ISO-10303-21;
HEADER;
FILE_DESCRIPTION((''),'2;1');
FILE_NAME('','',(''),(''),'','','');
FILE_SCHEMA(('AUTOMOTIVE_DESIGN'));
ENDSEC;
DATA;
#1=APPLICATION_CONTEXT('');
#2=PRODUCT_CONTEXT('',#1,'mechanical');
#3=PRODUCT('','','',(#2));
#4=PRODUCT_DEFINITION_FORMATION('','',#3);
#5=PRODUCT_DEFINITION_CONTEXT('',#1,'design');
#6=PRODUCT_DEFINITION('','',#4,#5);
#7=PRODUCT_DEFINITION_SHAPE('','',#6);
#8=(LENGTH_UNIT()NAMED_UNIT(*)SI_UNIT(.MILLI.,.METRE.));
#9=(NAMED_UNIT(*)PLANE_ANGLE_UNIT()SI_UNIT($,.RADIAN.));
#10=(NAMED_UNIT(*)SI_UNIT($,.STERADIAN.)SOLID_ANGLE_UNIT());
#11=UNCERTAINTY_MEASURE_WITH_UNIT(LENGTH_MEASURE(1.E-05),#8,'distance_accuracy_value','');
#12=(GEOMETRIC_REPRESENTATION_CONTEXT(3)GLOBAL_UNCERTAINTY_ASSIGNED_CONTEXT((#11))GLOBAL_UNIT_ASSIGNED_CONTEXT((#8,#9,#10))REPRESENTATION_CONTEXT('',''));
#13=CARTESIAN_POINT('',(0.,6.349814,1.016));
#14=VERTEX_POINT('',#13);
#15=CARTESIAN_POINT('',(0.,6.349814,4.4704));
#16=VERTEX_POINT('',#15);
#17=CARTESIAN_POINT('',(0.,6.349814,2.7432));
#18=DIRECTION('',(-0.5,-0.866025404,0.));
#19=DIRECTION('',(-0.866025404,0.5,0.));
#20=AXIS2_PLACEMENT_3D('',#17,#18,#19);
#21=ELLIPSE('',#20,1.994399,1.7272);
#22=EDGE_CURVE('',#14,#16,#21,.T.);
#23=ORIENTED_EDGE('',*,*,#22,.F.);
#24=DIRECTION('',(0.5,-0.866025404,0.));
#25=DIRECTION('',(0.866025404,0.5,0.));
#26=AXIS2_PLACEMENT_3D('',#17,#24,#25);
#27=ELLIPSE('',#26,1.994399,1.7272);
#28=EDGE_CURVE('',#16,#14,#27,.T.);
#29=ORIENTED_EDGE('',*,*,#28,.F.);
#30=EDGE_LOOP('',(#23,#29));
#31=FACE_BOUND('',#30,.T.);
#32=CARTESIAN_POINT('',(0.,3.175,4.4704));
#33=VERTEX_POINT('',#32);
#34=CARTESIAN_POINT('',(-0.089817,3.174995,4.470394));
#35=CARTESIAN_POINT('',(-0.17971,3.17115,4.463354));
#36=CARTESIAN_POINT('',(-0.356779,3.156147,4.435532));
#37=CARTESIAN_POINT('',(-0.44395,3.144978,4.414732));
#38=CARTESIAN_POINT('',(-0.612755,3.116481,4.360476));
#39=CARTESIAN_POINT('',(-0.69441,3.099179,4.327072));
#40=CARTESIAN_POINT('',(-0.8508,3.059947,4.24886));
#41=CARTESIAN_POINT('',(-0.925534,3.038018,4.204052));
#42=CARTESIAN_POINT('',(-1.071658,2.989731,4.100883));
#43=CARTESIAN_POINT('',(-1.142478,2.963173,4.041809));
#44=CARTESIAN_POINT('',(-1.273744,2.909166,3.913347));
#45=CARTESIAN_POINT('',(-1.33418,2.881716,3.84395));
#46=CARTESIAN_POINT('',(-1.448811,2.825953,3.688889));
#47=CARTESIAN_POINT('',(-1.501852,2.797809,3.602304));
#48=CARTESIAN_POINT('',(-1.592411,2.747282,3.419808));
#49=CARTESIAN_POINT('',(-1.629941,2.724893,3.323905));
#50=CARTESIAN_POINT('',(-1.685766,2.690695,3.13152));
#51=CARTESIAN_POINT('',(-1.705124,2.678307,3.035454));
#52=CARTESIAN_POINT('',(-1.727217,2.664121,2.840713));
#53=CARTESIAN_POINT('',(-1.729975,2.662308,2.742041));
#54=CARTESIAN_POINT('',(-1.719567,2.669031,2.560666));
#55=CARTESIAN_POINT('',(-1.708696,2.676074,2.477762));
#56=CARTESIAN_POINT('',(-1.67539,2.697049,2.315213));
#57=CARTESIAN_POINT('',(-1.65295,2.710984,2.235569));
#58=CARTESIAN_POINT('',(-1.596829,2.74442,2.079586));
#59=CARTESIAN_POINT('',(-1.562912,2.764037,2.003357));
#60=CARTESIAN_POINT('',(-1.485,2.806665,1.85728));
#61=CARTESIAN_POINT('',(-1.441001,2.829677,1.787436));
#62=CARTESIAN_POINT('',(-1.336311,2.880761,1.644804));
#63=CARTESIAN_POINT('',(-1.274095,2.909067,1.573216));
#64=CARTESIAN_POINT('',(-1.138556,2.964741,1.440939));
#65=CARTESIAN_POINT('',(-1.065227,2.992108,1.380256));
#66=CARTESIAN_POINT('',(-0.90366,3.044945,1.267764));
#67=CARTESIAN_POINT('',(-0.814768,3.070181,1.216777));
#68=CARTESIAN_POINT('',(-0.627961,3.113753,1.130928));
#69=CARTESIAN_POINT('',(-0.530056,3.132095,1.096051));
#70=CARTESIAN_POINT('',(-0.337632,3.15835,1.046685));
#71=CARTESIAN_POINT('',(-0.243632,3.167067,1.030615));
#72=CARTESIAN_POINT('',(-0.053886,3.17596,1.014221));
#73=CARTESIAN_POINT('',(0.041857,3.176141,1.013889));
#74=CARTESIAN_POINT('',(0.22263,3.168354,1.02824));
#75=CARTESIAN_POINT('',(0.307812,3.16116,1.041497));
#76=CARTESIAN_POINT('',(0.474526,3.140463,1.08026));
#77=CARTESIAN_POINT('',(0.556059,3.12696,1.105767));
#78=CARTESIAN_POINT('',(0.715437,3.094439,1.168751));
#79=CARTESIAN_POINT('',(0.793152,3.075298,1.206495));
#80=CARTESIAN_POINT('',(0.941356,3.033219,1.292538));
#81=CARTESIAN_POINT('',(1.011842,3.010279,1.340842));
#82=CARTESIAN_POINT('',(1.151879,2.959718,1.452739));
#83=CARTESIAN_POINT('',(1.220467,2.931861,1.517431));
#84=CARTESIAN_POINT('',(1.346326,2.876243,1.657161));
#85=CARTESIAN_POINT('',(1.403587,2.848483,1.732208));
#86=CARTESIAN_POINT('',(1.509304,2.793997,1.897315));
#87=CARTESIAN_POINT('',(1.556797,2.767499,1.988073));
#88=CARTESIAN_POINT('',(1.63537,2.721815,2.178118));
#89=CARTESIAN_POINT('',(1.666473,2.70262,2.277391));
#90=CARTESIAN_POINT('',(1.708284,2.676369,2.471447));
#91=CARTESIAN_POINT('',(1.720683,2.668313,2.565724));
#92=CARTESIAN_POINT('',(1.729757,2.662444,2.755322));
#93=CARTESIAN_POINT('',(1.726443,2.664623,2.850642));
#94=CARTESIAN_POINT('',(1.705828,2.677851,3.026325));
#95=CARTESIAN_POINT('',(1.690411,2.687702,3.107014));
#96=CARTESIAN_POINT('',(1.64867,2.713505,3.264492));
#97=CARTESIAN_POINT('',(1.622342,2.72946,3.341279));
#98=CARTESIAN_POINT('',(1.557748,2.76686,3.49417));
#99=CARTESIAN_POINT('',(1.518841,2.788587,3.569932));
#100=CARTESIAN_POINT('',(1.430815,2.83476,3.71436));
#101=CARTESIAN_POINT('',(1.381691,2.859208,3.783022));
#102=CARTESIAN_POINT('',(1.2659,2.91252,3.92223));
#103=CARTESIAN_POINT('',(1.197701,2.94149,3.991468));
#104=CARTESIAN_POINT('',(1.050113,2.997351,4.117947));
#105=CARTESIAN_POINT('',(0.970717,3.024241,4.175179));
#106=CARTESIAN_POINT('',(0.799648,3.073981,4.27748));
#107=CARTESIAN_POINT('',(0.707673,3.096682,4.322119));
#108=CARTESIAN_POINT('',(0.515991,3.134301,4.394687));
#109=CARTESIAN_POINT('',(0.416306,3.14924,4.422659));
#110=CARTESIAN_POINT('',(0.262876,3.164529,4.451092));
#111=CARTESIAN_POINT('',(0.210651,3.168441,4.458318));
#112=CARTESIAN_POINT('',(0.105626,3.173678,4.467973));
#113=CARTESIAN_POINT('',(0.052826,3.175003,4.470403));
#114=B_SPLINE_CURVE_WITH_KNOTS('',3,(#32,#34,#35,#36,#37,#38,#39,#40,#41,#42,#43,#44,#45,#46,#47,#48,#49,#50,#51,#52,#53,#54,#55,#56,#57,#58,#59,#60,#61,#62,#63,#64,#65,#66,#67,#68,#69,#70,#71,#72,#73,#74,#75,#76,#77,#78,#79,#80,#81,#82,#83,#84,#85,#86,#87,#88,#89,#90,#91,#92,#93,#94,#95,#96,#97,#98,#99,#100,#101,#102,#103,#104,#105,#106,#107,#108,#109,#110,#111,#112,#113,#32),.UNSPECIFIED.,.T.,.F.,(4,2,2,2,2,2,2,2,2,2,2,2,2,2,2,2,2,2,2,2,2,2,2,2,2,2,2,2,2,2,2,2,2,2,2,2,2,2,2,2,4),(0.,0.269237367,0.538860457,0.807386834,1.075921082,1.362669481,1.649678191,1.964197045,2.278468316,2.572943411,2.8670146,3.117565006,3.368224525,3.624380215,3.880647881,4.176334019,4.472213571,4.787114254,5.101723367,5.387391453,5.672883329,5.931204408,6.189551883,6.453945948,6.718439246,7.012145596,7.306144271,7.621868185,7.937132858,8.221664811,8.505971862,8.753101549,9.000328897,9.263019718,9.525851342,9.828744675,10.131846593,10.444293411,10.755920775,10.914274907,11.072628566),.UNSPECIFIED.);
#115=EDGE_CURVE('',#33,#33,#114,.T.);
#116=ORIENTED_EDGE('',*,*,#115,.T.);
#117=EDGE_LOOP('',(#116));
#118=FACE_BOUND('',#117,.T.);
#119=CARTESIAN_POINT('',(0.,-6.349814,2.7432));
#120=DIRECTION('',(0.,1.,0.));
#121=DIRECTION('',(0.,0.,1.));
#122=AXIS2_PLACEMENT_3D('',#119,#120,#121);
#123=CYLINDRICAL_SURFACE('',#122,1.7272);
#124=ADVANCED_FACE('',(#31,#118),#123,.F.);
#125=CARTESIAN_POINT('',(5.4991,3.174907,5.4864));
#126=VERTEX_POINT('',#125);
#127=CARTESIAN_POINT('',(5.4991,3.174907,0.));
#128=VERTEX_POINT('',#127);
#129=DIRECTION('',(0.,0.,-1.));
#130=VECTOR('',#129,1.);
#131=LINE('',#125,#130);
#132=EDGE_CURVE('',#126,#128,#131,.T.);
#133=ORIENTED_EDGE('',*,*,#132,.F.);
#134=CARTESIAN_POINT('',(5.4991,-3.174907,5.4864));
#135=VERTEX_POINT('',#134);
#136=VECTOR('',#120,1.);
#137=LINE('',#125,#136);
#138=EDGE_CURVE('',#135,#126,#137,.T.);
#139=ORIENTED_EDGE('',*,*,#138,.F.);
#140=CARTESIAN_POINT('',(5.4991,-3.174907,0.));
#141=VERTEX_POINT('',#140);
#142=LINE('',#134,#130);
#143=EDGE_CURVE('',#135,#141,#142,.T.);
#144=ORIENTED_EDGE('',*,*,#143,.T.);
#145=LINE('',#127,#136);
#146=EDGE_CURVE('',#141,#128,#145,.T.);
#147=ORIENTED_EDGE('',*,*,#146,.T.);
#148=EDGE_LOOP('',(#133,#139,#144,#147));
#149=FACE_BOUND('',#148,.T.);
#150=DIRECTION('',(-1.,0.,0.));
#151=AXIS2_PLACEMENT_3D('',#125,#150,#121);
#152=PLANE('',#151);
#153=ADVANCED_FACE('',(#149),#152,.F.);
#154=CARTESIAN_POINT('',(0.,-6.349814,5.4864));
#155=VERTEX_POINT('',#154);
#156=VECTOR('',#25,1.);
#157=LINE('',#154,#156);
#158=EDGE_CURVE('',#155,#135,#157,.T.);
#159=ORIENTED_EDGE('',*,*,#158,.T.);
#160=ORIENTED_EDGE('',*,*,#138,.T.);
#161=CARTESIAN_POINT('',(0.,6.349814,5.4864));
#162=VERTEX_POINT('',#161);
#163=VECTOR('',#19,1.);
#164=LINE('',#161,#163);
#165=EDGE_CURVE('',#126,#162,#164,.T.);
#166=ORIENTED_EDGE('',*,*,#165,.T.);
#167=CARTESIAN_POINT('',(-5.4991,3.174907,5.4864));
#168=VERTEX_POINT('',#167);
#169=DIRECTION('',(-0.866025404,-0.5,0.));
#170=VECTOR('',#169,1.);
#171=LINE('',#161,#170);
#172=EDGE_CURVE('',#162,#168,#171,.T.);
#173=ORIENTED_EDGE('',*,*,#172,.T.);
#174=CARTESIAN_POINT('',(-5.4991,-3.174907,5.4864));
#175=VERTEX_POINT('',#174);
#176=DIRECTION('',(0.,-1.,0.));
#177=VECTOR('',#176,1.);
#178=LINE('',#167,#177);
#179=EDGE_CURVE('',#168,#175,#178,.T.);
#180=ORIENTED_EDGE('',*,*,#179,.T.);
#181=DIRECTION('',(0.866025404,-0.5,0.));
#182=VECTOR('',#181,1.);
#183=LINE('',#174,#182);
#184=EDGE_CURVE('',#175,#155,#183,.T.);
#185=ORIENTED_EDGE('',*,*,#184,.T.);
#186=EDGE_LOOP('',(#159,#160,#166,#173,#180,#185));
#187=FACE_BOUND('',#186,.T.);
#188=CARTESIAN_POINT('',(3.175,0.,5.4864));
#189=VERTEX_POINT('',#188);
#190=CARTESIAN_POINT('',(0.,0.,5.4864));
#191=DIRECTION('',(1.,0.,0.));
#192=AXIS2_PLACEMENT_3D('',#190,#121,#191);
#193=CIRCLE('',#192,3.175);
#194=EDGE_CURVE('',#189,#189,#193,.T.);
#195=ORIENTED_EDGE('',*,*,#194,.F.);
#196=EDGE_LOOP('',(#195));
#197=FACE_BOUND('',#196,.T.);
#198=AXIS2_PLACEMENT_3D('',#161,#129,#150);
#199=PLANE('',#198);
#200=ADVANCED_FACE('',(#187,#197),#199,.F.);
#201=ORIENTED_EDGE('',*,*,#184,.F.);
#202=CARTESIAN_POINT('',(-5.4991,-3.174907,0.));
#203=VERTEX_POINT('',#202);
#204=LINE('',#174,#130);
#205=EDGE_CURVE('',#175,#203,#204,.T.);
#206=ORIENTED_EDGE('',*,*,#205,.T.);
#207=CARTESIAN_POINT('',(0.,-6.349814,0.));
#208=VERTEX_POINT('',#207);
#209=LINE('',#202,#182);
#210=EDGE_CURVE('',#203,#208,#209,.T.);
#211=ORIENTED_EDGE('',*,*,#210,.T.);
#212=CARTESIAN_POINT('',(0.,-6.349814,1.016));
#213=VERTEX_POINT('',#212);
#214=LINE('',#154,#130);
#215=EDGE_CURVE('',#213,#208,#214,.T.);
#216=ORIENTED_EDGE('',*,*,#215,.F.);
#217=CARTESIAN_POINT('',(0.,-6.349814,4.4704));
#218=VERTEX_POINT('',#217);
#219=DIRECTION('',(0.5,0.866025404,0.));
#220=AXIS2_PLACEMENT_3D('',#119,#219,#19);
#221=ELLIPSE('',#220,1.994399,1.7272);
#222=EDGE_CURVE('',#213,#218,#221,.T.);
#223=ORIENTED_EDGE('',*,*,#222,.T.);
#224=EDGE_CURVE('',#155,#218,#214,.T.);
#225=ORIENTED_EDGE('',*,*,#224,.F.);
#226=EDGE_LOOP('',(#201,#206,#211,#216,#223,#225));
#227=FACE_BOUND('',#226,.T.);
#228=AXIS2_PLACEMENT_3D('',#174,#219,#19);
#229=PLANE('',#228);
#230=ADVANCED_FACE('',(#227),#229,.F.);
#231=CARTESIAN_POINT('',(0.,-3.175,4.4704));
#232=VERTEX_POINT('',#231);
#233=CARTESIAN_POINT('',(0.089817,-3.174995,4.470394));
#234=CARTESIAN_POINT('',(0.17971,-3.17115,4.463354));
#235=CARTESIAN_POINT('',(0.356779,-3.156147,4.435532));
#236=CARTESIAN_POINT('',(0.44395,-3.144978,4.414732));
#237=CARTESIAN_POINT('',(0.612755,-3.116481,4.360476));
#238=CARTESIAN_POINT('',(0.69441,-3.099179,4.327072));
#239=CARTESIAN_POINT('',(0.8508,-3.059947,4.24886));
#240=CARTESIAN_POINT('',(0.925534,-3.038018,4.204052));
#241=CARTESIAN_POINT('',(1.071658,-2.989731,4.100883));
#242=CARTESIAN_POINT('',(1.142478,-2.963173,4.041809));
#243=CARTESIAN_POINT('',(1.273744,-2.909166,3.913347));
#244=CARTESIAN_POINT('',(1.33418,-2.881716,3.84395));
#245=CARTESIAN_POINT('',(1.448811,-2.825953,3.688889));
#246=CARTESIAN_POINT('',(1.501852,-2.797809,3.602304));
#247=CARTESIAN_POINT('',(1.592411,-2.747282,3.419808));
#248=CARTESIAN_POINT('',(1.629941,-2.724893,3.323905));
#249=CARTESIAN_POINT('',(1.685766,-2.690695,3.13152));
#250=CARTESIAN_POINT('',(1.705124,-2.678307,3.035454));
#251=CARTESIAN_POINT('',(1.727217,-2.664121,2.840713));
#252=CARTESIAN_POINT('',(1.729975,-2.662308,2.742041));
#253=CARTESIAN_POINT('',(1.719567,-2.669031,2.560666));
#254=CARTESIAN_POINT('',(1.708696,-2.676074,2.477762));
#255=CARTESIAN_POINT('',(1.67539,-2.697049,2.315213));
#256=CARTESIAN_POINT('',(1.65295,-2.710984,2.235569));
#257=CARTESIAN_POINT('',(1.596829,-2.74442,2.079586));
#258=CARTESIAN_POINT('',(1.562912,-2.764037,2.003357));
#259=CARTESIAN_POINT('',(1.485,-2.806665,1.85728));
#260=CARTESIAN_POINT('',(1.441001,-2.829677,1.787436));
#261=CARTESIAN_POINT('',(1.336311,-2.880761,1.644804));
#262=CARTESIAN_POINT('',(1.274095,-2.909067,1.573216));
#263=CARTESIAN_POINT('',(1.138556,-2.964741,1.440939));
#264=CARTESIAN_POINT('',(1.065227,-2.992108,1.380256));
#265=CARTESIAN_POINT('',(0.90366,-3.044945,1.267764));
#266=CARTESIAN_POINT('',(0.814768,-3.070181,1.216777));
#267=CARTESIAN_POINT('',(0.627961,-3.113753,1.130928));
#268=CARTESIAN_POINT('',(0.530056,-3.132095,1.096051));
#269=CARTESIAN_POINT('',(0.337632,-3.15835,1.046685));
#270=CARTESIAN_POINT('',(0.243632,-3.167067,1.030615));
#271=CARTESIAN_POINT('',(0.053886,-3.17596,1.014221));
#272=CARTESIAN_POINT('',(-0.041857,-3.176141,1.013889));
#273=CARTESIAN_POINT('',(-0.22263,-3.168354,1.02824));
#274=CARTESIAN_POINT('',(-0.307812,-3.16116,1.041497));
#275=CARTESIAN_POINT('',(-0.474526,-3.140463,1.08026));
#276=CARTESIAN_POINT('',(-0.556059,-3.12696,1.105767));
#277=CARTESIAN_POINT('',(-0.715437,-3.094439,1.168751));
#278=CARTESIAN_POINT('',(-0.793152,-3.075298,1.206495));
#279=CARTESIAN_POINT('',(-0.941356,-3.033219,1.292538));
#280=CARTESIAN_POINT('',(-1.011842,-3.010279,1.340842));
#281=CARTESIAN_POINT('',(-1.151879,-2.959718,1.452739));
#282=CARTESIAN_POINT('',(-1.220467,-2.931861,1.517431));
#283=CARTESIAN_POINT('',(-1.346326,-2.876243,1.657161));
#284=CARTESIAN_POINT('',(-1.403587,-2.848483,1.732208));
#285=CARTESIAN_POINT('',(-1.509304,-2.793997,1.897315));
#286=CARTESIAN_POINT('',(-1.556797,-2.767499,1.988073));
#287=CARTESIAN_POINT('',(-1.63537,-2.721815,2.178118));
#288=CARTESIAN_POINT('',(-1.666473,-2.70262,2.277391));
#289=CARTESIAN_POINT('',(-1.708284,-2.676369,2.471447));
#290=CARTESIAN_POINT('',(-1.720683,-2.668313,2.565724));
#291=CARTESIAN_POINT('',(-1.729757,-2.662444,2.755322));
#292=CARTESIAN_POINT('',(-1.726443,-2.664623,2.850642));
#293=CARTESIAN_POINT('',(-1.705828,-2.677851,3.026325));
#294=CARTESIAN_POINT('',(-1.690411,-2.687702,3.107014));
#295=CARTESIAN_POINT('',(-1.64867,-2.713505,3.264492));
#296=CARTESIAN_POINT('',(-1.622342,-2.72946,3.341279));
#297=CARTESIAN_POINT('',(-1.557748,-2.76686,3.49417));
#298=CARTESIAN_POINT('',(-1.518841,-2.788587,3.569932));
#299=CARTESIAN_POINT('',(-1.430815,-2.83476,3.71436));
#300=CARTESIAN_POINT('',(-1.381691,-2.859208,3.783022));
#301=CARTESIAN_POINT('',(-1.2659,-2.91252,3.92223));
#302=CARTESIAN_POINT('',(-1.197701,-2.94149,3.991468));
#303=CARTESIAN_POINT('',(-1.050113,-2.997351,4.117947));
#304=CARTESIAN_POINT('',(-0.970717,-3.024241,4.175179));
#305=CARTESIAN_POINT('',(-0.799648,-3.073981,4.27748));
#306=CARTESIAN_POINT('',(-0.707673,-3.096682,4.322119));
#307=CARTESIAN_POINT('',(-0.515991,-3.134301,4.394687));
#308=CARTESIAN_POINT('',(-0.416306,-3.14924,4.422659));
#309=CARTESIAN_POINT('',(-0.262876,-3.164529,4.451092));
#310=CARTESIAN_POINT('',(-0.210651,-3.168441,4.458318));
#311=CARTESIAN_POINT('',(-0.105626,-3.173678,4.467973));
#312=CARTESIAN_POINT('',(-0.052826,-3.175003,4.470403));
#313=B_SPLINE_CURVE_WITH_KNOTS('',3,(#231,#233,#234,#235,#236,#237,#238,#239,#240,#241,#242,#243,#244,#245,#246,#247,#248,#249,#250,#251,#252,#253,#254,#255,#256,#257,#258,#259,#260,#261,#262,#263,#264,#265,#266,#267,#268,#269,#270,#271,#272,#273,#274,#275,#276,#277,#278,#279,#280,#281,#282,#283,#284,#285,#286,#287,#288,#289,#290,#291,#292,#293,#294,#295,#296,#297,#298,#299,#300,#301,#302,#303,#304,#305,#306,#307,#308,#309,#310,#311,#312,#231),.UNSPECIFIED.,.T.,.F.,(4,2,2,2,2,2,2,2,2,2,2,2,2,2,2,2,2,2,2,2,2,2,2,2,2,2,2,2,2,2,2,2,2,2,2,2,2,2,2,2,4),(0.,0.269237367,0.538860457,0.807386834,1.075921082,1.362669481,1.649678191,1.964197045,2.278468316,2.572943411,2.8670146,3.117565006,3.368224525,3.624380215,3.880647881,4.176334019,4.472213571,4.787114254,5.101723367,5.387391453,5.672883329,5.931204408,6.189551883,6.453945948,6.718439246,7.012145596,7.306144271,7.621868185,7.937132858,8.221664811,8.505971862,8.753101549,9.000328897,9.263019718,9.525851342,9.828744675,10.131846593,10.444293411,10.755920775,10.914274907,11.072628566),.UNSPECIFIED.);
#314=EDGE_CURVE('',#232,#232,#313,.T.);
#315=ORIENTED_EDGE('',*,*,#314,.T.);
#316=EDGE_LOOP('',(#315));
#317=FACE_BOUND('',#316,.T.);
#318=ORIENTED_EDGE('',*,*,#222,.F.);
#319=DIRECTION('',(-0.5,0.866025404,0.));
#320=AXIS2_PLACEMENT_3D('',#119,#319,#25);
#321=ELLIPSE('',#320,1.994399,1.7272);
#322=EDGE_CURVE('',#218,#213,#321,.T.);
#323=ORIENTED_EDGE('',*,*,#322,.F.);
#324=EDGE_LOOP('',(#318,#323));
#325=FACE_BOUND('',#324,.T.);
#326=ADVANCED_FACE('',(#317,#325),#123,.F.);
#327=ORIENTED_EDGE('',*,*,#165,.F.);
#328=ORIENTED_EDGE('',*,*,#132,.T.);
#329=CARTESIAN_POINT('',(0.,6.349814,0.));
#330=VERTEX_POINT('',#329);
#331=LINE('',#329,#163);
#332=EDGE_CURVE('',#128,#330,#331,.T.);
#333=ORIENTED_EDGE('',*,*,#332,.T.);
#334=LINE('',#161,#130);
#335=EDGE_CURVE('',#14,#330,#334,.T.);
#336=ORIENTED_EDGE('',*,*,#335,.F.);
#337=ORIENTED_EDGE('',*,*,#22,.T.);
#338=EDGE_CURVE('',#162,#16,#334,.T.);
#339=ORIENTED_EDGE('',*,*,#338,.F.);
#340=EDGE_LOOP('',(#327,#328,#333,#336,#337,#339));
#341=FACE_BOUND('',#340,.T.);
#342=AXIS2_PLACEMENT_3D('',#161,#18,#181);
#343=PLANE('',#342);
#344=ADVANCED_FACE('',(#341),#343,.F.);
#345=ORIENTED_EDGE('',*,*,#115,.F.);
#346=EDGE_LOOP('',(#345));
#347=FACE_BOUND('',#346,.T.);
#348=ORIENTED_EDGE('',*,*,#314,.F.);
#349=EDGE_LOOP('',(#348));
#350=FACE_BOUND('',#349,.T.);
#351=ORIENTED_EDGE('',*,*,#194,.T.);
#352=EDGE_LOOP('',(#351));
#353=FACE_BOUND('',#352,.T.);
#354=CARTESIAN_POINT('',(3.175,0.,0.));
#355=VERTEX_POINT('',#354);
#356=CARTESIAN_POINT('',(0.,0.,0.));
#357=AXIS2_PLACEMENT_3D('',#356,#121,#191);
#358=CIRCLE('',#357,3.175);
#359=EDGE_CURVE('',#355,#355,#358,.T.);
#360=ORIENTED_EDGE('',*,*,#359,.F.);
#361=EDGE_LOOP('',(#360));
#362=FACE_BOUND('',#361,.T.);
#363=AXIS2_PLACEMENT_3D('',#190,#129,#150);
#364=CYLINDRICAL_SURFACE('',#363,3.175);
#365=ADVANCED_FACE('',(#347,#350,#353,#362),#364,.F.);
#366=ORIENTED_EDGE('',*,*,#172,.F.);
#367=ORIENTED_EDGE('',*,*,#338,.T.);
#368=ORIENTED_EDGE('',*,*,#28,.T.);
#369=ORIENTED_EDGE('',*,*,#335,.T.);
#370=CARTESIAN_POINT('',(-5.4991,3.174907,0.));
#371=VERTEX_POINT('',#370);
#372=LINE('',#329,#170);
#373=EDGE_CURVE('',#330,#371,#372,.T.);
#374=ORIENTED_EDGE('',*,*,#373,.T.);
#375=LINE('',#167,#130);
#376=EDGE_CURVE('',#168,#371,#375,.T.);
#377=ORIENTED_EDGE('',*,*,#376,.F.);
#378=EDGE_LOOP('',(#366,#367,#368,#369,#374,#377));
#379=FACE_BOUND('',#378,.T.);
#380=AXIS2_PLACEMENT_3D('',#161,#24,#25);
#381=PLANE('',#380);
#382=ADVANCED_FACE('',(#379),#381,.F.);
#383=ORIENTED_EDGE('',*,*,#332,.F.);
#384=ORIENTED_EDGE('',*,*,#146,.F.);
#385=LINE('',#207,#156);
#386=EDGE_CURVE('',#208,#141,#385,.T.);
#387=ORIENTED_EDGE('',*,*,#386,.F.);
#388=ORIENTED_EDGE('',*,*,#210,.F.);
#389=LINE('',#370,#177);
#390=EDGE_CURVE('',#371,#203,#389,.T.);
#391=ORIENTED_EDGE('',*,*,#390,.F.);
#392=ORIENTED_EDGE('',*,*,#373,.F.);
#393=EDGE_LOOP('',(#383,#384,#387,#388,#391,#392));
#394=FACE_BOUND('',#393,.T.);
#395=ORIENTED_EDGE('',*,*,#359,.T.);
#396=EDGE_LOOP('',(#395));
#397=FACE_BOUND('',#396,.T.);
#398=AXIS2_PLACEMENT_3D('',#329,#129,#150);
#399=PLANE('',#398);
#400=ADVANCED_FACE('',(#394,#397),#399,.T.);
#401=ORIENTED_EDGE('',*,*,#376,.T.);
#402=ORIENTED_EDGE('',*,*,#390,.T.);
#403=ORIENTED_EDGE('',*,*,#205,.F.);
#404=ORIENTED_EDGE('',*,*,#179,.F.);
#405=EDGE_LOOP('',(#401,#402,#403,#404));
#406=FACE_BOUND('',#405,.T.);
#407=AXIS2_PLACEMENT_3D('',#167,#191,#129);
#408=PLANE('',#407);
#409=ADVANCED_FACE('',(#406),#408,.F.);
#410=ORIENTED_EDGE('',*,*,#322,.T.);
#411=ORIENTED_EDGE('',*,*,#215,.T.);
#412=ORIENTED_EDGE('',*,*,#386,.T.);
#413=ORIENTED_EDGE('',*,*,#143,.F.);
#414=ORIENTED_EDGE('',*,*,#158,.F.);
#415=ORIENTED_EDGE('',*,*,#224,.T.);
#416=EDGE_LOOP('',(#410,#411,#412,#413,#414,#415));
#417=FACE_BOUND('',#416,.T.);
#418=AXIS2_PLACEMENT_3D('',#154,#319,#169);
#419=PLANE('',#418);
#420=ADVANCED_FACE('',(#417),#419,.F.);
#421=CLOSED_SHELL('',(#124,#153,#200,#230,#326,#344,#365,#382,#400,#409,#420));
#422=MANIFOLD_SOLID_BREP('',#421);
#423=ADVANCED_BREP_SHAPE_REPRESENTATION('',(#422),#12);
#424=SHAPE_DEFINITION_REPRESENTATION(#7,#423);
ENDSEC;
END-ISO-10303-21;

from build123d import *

# Parameters (mm, degrees)
SKETCH1_R          = 3.175
EXTRUDE1_DEPTH     = 5.4864
CUT_EXTRUDE1_START = -6.349814
SKETCH2_R          = 1.7272
CUT_EXTRUDE1_DEPTH = 12.699628


with BuildPart() as part:
    # Sketch1 → Extrude1 (new body)
    with BuildSketch(Plane.XY):
        Polygon((0, 6.349813731), (-5.4991, 3.174906865), (-5.4991, -3.174906865), (0, -6.349813731), (5.4991, -3.174906865), (5.4991, 3.174906865), align=None)
        Circle(SKETCH1_R, mode=Mode.SUBTRACT)
    extrude(amount=EXTRUDE1_DEPTH)

    # Sketch2 → Cut-Extrude1 (cut)
    with BuildSketch(Plane(origin=(0, 0, 0), x_dir=(0, 0, -1), z_dir=(0, 1, 0)).offset(CUT_EXTRUDE1_START)):
        with Locations((-2.7432, 0)):
            Circle(SKETCH2_R)
    extrude(amount=CUT_EXTRUDE1_DEPTH, mode=Mode.SUBTRACT)


solid = part.part
